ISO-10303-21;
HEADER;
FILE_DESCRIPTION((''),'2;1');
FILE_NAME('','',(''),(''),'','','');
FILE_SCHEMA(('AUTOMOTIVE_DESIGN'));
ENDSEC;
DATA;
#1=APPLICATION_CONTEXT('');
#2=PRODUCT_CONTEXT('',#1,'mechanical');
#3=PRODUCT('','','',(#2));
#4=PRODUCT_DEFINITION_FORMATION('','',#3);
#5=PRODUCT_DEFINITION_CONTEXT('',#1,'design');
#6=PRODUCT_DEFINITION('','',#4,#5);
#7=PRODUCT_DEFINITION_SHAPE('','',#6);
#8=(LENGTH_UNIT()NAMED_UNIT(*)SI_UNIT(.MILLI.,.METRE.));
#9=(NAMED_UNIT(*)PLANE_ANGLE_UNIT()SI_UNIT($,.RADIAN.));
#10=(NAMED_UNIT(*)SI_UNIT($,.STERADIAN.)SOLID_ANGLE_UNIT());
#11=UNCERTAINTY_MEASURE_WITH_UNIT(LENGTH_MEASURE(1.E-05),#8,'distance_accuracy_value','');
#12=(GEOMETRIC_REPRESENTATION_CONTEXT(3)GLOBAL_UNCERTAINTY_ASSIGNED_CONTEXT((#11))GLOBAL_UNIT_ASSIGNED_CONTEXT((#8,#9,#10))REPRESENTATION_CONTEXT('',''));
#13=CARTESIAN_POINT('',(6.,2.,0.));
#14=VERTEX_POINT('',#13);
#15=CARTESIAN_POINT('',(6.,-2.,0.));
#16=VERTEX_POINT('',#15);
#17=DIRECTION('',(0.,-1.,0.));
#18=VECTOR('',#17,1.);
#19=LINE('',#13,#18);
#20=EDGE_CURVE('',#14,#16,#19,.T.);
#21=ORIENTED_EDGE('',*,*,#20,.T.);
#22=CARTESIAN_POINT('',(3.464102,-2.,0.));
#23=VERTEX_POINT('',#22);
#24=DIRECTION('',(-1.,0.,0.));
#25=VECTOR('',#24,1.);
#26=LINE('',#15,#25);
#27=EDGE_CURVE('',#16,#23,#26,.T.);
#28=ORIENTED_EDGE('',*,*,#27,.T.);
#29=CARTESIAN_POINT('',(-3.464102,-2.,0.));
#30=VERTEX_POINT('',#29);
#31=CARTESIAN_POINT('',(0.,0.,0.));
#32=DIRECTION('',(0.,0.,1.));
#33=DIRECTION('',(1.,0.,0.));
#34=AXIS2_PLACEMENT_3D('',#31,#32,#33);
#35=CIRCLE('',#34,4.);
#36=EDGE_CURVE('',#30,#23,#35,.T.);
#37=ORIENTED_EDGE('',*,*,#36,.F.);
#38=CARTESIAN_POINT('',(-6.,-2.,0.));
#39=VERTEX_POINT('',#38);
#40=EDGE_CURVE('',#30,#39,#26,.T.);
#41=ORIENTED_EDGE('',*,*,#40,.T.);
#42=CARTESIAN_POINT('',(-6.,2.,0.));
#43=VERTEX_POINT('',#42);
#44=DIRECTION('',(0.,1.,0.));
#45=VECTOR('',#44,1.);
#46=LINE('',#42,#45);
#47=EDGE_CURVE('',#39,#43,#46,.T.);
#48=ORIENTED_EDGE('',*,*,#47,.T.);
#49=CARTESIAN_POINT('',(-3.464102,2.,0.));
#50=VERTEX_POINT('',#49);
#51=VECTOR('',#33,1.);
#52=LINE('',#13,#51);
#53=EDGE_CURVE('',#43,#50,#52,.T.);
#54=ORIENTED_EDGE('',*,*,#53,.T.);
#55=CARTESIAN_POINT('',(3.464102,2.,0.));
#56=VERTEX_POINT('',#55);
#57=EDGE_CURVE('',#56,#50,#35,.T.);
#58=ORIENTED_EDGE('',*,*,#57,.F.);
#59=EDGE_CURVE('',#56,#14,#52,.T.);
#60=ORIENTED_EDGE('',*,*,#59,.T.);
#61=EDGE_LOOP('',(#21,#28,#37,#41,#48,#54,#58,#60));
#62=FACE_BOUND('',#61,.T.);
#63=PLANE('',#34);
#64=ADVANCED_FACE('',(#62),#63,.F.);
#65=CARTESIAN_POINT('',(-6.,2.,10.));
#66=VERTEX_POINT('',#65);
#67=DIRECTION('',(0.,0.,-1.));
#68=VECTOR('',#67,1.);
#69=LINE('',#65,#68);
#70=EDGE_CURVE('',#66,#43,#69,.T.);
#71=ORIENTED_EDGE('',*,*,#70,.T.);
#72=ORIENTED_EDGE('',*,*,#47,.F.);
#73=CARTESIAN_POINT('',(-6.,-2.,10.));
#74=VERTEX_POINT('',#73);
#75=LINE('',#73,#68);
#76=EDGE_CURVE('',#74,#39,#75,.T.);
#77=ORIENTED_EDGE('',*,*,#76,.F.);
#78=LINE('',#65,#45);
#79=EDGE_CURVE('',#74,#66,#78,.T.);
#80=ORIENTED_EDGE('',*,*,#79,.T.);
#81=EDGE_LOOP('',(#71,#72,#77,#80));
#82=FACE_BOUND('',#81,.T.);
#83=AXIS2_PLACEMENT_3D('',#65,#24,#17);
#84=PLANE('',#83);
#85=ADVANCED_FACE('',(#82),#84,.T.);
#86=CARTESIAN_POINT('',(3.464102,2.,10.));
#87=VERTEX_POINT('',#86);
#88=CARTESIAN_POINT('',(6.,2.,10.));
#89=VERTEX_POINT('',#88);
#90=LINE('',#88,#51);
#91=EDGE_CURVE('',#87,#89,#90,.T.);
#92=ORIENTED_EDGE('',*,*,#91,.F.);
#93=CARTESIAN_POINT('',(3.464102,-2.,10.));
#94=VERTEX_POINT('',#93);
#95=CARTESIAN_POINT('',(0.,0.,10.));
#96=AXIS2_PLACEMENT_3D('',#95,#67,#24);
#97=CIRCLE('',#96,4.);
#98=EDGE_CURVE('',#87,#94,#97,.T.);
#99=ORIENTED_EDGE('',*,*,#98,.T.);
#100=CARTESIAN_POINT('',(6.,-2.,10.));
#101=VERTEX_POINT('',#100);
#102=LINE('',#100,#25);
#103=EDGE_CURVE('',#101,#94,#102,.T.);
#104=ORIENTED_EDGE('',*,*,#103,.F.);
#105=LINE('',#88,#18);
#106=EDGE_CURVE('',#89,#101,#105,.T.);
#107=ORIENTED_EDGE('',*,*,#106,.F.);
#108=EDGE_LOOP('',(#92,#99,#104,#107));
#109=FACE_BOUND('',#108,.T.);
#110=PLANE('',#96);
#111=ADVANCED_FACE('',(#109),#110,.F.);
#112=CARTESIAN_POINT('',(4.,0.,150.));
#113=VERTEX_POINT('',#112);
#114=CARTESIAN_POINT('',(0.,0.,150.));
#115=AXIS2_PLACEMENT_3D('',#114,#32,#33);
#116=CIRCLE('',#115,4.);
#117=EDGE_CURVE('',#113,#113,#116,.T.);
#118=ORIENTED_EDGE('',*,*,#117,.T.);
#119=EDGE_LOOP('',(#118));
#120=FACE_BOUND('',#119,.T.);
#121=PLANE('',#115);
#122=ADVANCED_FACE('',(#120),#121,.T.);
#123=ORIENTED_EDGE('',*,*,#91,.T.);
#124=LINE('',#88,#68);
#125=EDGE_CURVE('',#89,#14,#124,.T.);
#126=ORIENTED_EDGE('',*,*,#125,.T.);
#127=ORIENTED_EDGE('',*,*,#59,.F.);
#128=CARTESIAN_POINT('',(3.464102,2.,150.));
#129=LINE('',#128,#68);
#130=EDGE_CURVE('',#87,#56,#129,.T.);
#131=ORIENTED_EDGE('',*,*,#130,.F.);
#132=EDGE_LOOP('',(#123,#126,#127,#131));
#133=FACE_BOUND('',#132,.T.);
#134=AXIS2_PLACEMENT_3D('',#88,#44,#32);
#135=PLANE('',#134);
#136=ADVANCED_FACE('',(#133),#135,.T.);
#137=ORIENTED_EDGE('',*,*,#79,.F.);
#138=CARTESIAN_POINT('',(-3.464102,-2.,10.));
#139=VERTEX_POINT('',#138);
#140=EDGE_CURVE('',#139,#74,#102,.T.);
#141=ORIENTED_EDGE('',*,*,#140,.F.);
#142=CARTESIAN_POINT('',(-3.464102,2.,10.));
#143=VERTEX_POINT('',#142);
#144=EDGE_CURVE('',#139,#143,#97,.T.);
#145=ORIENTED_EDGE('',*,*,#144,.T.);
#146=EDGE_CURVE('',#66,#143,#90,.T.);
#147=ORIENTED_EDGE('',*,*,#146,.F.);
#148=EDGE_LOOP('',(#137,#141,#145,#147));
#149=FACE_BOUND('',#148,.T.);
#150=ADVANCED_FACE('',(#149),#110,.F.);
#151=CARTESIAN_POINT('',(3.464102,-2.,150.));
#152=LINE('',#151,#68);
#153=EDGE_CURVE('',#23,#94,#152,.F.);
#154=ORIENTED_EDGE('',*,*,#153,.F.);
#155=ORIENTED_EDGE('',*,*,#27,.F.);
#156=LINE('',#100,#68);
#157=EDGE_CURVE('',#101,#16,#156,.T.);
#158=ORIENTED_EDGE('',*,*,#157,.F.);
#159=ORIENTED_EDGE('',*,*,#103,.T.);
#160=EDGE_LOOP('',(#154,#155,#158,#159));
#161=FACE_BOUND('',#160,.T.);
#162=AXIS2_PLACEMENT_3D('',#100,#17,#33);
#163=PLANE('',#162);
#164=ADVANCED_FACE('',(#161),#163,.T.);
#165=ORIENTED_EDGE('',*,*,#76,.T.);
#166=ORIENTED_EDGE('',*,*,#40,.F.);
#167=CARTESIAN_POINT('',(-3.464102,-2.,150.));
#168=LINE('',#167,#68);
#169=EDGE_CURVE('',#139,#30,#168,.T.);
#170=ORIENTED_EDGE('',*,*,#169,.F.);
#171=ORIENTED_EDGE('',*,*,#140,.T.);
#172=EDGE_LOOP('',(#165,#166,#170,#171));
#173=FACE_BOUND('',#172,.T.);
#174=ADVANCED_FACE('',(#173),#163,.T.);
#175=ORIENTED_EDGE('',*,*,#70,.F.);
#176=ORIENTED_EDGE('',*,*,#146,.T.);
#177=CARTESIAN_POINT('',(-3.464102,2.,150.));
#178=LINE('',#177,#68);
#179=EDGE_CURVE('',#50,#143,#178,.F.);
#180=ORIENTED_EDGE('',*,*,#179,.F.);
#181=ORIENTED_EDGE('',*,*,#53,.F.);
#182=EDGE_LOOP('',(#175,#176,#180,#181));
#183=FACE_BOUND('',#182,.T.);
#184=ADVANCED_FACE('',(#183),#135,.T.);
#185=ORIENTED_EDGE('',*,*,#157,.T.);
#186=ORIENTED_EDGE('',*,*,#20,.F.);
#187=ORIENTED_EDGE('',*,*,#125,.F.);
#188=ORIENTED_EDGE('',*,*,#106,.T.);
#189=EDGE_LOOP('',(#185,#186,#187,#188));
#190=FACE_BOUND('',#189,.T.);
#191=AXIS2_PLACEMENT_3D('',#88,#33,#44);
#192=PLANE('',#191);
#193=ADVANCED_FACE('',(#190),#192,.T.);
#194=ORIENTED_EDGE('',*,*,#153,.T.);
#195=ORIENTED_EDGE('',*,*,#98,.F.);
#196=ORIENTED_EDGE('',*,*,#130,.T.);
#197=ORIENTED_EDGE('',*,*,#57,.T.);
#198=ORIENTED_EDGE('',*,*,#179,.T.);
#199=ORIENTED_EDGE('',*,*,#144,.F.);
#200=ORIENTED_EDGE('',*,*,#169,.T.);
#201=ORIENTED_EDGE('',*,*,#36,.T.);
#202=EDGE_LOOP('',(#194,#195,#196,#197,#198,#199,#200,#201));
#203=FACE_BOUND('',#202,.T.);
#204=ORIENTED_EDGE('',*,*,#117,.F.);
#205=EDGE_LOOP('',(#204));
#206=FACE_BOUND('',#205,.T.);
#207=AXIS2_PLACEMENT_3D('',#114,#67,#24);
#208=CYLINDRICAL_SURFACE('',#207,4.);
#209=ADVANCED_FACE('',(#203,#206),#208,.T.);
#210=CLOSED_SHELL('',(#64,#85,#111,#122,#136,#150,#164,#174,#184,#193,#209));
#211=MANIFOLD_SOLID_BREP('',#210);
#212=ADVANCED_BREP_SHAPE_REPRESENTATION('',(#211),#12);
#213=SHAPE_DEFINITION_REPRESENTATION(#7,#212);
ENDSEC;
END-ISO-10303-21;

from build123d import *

# Parameters (mm, degrees)
SKETCH_1_R      = 4
EXTRUDE_1_DEPTH = 150
SKETCH_2_W      = 12
SKETCH_2_H      = 4
EXTRUDE_2_DEPTH = 10


with BuildPart() as part:
    # Эскиз1 → Бобышка-Вытянуть1 (new body)
    with BuildSketch(Plane.XY):
        Circle(SKETCH_1_R)
    extrude(amount=EXTRUDE_1_DEPTH)

    # Эскиз2 → Бобышка-Вытянуть2 (add)
    with BuildSketch(Plane(origin=(0, 0, 0), x_dir=(-1, 0, 0), z_dir=(0, 0, -1))):
        Rectangle(SKETCH_2_W, SKETCH_2_H)
    extrude(amount=-EXTRUDE_2_DEPTH)


solid = part.part
